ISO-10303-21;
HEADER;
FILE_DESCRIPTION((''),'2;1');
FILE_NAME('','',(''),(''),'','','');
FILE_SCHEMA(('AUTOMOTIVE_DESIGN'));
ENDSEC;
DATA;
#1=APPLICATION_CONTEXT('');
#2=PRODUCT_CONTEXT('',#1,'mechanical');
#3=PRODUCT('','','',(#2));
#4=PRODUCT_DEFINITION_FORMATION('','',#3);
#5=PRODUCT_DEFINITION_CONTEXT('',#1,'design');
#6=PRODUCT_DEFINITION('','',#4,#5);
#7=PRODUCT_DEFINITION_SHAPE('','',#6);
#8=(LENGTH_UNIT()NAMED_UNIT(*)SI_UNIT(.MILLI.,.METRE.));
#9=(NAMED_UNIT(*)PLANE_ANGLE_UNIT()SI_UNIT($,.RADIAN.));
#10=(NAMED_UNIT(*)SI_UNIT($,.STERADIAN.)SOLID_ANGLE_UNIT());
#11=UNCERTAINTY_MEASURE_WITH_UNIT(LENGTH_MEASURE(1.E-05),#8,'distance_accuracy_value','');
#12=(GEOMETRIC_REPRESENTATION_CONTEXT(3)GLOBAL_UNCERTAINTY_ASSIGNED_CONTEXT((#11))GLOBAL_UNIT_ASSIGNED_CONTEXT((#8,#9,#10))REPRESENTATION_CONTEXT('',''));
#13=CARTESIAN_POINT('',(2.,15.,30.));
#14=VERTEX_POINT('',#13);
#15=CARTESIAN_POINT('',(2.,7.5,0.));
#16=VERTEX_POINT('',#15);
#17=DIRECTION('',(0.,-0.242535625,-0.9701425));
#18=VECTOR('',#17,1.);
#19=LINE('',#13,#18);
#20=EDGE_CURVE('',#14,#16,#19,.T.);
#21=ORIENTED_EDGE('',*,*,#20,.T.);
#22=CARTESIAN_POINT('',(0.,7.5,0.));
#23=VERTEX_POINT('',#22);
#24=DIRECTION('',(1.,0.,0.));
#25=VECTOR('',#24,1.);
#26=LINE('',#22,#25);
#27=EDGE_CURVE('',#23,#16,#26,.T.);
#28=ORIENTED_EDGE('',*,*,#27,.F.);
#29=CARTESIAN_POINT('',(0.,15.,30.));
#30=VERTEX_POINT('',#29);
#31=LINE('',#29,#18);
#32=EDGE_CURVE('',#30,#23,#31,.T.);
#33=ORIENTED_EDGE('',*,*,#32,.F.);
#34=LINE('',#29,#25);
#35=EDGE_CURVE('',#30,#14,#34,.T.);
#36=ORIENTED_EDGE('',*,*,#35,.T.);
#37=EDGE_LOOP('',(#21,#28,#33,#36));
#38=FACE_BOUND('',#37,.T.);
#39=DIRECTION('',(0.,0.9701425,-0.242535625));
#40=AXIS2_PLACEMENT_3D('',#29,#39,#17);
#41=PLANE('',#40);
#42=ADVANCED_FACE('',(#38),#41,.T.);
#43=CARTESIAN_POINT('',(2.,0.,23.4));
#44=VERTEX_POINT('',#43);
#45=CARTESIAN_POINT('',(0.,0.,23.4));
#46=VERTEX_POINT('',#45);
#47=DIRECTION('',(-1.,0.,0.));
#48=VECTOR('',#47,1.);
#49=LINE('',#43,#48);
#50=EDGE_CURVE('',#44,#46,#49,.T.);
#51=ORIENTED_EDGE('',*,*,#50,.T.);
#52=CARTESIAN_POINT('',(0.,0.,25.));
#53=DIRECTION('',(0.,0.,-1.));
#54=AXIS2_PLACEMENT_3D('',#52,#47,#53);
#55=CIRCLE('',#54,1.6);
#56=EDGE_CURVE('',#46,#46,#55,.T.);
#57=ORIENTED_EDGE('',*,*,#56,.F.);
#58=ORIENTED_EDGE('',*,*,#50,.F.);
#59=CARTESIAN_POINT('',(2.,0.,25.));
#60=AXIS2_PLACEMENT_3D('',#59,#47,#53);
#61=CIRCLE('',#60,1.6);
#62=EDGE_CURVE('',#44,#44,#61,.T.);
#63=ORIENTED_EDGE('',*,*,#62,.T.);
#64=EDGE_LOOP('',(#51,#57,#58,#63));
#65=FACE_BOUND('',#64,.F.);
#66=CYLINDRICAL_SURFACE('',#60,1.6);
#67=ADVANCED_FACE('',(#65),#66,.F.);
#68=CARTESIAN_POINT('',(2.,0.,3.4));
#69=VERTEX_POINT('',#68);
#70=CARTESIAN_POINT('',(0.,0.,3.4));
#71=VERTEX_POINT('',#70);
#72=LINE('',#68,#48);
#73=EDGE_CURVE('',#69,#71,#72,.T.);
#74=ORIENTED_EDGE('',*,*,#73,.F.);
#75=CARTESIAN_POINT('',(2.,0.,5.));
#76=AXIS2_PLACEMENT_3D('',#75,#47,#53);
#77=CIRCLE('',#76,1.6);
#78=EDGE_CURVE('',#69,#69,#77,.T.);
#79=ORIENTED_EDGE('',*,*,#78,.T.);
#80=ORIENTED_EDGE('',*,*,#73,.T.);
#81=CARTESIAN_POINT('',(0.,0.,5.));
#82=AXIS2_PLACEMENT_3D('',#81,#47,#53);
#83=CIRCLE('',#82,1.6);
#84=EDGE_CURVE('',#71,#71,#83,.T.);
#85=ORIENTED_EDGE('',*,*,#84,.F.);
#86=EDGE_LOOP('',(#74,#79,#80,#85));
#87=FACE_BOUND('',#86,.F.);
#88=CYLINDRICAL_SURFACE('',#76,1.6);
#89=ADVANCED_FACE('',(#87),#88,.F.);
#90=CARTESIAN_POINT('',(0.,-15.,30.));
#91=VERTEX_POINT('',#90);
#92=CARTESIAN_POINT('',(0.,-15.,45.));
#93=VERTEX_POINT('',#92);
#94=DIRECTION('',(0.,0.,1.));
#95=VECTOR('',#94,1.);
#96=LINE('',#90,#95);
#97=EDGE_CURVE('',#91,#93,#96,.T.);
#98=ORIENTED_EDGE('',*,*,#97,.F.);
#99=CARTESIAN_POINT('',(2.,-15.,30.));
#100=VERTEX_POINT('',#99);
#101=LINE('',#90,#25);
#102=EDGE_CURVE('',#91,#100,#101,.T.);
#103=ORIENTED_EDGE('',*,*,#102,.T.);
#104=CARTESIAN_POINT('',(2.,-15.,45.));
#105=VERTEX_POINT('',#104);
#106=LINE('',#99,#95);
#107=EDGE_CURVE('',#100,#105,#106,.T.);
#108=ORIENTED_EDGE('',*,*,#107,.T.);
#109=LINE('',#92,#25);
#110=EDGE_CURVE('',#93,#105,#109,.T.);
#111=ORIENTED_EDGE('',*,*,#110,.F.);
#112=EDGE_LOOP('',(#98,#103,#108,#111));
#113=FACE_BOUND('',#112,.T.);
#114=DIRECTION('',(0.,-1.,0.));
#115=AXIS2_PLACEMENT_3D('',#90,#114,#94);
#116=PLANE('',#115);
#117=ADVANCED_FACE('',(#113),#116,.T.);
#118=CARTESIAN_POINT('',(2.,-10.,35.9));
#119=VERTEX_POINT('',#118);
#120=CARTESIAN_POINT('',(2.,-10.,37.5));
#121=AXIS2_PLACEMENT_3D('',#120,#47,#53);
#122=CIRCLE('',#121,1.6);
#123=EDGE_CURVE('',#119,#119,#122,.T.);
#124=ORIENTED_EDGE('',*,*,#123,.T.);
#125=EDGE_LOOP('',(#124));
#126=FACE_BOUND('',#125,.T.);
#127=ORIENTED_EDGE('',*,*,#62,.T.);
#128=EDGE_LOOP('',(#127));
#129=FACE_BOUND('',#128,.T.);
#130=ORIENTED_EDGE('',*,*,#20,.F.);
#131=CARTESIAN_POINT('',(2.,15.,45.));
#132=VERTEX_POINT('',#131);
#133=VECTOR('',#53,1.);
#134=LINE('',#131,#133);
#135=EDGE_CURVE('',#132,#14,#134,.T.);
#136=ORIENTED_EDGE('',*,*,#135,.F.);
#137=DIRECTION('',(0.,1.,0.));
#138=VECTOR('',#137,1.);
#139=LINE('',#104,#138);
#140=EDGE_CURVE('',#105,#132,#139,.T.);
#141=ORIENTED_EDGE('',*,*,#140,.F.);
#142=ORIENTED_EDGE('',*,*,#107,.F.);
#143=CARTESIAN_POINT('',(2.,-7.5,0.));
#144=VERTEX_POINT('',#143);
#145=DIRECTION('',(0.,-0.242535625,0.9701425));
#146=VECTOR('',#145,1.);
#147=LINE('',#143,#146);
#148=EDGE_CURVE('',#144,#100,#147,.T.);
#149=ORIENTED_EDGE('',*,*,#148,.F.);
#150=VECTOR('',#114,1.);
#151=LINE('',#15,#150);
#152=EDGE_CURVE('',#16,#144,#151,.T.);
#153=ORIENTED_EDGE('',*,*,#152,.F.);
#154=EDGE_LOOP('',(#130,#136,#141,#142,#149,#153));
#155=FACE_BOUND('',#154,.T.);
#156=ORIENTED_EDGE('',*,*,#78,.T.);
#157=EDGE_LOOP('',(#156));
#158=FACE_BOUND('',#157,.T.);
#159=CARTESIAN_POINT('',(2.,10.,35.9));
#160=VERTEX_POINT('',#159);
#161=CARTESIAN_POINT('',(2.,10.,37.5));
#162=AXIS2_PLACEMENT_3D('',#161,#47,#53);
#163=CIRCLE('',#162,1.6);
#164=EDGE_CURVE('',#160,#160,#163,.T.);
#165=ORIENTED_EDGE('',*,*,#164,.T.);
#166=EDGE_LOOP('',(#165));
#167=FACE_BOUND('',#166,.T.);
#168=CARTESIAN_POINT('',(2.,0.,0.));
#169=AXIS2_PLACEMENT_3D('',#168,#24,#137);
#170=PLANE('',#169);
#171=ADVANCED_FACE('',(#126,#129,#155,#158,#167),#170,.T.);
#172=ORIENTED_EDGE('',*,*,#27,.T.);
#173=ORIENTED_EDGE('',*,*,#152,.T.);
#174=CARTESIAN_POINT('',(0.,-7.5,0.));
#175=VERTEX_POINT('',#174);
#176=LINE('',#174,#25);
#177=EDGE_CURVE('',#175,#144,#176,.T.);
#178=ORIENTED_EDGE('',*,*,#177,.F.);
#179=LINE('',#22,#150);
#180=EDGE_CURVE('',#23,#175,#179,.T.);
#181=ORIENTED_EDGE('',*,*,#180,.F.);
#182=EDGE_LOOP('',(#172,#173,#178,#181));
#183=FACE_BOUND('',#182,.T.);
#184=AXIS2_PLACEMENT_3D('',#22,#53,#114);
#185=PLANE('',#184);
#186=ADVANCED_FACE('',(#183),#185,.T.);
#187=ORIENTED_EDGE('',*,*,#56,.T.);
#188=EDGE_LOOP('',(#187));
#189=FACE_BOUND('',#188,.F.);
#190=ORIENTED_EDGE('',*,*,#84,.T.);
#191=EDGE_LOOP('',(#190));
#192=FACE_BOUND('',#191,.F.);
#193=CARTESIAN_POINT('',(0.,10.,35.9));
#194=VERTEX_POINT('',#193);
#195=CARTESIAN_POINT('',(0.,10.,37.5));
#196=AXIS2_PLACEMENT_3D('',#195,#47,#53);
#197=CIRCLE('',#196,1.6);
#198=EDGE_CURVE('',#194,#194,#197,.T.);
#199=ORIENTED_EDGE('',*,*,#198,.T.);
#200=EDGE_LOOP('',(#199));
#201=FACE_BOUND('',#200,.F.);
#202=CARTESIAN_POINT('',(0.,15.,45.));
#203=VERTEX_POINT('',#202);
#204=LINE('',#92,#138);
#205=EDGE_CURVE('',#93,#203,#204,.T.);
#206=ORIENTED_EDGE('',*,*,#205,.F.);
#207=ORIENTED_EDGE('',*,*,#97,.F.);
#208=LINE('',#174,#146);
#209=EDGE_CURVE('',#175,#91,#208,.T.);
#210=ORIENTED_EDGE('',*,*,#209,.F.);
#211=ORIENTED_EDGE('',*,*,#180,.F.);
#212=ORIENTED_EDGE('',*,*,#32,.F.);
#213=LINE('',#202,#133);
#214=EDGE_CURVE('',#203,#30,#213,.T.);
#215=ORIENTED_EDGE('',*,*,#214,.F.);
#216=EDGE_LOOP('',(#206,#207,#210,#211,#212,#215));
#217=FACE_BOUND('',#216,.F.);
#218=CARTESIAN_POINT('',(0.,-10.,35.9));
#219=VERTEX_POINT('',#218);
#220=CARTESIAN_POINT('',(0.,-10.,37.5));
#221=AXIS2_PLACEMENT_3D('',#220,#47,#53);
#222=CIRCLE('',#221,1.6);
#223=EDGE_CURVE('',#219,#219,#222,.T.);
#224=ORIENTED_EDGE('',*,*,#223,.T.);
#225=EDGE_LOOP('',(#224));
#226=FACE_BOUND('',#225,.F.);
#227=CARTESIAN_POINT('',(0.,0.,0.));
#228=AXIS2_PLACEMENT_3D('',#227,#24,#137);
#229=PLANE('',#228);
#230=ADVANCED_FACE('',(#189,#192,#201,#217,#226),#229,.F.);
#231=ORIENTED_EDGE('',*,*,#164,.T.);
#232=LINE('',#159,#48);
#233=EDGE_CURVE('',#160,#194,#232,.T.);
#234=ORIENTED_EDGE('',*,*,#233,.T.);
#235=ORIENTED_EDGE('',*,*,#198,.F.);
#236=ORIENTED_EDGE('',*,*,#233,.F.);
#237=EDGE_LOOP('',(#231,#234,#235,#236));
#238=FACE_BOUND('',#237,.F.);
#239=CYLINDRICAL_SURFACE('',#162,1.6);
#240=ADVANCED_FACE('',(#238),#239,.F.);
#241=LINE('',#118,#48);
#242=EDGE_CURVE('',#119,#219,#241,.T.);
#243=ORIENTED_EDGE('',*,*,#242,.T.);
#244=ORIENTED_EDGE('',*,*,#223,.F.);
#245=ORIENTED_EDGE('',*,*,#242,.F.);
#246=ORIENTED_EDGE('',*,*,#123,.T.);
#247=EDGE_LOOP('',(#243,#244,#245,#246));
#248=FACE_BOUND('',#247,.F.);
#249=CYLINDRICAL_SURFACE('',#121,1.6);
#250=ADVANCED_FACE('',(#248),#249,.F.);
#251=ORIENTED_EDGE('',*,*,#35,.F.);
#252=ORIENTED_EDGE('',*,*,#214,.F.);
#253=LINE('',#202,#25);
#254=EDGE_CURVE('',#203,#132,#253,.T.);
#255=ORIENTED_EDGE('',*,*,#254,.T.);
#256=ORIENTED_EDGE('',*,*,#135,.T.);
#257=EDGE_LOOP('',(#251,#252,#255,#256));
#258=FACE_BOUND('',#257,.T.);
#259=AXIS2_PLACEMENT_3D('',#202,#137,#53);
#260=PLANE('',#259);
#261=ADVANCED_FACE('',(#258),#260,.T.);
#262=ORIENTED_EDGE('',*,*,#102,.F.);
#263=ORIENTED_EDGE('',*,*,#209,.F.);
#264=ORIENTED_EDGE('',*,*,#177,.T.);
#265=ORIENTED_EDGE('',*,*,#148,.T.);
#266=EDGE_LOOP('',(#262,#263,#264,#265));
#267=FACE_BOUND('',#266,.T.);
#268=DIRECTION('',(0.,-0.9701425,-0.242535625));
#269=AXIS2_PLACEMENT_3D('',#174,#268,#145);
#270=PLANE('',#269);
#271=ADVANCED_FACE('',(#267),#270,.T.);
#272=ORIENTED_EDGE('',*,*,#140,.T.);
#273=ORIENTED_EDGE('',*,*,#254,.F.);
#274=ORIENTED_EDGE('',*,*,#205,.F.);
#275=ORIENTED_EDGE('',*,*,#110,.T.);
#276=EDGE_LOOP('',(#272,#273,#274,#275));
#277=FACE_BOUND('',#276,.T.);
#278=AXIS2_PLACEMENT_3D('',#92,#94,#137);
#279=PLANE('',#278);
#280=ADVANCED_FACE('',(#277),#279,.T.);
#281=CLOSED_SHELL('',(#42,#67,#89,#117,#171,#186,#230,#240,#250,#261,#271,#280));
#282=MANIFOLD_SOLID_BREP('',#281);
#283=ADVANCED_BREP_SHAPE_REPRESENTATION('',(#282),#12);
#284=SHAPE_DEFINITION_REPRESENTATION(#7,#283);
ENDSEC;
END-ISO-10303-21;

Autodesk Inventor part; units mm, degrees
ref_plane "YZ Plane" through (0, 0, 0) normal (1, 0, 0) x (0, 1, 0)
ref_plane "XZ Plane" through (0, 0, 0) normal (0, 1, 0) x (-1, 0, 0)
ref_plane "XY Plane" through (0, 0, 0) normal (0, 0, 1) x (1, 0, 0)
sketch "スケッチ1" plane through (0, 0, 0) normal (1, 0, 0) x (0, 1, 0)
  line L0 (-7.5, 30) -> (7.5, 30)
  line L1 (7.5, 30) -> (7.5, 0)
  line L2 (7.5, 0) -> (-7.5, 0)
  line L3 (-7.5, 0) -> (-7.5, 30)
  line L4 (-15, 45) -> (15, 45)
  line L5 (15, 45) -> (15, 30)
  line L6 (15, 30) -> (-15, 30)
  line L7 (-15, 30) -> (-15, 45)
  line L8 (15, 30) -> (7.5, 0)
  line L9 (-7.5, 0) -> (-15, 30)
  point P0 (0, 0)
  point P1 (0, 0)
  point P2 (0, 30)
  dimension "d0" = 15
  dimension "d1" = 30
  dimension "d2" = 30
  dimension "d3" = 15
extrude "押し出し1" add sketch "スケッチ1" along normal blind 2
sketch "スケッチ2" plane through (2, 0, 0) normal (1, 0, 0) x (0, 0, -1)
  line L0 (0, -7.5) -> (0, 7.5) projected
  line L1 (-30, 15) -> (-45, 15) projected
  line L2 (-45, -15) -> (-30, -15) projected
  point P0 (0, 0)
  point P1 (-37.5, 10)
  point P2 (-37.5, -10)
  point P3 (-25, 0)
  point P4 (-5, 0)
  point P5 (0, 0)
  point P6 (-37.5, 15)
  dimension "d6" = 5
  dimension "d7" = 20
  dimension "d8" = 5
  dimension "d9" = 5
hole "穴1" at (2, 10, 37.5) at (2, -10, 37.5) at (2, 0, 25) at (2, 0, 5) direction (-1, 0, 0) diameter 3.2 end through all
properties part number "FrameJointT1515" material "アルミニウム 6061"
